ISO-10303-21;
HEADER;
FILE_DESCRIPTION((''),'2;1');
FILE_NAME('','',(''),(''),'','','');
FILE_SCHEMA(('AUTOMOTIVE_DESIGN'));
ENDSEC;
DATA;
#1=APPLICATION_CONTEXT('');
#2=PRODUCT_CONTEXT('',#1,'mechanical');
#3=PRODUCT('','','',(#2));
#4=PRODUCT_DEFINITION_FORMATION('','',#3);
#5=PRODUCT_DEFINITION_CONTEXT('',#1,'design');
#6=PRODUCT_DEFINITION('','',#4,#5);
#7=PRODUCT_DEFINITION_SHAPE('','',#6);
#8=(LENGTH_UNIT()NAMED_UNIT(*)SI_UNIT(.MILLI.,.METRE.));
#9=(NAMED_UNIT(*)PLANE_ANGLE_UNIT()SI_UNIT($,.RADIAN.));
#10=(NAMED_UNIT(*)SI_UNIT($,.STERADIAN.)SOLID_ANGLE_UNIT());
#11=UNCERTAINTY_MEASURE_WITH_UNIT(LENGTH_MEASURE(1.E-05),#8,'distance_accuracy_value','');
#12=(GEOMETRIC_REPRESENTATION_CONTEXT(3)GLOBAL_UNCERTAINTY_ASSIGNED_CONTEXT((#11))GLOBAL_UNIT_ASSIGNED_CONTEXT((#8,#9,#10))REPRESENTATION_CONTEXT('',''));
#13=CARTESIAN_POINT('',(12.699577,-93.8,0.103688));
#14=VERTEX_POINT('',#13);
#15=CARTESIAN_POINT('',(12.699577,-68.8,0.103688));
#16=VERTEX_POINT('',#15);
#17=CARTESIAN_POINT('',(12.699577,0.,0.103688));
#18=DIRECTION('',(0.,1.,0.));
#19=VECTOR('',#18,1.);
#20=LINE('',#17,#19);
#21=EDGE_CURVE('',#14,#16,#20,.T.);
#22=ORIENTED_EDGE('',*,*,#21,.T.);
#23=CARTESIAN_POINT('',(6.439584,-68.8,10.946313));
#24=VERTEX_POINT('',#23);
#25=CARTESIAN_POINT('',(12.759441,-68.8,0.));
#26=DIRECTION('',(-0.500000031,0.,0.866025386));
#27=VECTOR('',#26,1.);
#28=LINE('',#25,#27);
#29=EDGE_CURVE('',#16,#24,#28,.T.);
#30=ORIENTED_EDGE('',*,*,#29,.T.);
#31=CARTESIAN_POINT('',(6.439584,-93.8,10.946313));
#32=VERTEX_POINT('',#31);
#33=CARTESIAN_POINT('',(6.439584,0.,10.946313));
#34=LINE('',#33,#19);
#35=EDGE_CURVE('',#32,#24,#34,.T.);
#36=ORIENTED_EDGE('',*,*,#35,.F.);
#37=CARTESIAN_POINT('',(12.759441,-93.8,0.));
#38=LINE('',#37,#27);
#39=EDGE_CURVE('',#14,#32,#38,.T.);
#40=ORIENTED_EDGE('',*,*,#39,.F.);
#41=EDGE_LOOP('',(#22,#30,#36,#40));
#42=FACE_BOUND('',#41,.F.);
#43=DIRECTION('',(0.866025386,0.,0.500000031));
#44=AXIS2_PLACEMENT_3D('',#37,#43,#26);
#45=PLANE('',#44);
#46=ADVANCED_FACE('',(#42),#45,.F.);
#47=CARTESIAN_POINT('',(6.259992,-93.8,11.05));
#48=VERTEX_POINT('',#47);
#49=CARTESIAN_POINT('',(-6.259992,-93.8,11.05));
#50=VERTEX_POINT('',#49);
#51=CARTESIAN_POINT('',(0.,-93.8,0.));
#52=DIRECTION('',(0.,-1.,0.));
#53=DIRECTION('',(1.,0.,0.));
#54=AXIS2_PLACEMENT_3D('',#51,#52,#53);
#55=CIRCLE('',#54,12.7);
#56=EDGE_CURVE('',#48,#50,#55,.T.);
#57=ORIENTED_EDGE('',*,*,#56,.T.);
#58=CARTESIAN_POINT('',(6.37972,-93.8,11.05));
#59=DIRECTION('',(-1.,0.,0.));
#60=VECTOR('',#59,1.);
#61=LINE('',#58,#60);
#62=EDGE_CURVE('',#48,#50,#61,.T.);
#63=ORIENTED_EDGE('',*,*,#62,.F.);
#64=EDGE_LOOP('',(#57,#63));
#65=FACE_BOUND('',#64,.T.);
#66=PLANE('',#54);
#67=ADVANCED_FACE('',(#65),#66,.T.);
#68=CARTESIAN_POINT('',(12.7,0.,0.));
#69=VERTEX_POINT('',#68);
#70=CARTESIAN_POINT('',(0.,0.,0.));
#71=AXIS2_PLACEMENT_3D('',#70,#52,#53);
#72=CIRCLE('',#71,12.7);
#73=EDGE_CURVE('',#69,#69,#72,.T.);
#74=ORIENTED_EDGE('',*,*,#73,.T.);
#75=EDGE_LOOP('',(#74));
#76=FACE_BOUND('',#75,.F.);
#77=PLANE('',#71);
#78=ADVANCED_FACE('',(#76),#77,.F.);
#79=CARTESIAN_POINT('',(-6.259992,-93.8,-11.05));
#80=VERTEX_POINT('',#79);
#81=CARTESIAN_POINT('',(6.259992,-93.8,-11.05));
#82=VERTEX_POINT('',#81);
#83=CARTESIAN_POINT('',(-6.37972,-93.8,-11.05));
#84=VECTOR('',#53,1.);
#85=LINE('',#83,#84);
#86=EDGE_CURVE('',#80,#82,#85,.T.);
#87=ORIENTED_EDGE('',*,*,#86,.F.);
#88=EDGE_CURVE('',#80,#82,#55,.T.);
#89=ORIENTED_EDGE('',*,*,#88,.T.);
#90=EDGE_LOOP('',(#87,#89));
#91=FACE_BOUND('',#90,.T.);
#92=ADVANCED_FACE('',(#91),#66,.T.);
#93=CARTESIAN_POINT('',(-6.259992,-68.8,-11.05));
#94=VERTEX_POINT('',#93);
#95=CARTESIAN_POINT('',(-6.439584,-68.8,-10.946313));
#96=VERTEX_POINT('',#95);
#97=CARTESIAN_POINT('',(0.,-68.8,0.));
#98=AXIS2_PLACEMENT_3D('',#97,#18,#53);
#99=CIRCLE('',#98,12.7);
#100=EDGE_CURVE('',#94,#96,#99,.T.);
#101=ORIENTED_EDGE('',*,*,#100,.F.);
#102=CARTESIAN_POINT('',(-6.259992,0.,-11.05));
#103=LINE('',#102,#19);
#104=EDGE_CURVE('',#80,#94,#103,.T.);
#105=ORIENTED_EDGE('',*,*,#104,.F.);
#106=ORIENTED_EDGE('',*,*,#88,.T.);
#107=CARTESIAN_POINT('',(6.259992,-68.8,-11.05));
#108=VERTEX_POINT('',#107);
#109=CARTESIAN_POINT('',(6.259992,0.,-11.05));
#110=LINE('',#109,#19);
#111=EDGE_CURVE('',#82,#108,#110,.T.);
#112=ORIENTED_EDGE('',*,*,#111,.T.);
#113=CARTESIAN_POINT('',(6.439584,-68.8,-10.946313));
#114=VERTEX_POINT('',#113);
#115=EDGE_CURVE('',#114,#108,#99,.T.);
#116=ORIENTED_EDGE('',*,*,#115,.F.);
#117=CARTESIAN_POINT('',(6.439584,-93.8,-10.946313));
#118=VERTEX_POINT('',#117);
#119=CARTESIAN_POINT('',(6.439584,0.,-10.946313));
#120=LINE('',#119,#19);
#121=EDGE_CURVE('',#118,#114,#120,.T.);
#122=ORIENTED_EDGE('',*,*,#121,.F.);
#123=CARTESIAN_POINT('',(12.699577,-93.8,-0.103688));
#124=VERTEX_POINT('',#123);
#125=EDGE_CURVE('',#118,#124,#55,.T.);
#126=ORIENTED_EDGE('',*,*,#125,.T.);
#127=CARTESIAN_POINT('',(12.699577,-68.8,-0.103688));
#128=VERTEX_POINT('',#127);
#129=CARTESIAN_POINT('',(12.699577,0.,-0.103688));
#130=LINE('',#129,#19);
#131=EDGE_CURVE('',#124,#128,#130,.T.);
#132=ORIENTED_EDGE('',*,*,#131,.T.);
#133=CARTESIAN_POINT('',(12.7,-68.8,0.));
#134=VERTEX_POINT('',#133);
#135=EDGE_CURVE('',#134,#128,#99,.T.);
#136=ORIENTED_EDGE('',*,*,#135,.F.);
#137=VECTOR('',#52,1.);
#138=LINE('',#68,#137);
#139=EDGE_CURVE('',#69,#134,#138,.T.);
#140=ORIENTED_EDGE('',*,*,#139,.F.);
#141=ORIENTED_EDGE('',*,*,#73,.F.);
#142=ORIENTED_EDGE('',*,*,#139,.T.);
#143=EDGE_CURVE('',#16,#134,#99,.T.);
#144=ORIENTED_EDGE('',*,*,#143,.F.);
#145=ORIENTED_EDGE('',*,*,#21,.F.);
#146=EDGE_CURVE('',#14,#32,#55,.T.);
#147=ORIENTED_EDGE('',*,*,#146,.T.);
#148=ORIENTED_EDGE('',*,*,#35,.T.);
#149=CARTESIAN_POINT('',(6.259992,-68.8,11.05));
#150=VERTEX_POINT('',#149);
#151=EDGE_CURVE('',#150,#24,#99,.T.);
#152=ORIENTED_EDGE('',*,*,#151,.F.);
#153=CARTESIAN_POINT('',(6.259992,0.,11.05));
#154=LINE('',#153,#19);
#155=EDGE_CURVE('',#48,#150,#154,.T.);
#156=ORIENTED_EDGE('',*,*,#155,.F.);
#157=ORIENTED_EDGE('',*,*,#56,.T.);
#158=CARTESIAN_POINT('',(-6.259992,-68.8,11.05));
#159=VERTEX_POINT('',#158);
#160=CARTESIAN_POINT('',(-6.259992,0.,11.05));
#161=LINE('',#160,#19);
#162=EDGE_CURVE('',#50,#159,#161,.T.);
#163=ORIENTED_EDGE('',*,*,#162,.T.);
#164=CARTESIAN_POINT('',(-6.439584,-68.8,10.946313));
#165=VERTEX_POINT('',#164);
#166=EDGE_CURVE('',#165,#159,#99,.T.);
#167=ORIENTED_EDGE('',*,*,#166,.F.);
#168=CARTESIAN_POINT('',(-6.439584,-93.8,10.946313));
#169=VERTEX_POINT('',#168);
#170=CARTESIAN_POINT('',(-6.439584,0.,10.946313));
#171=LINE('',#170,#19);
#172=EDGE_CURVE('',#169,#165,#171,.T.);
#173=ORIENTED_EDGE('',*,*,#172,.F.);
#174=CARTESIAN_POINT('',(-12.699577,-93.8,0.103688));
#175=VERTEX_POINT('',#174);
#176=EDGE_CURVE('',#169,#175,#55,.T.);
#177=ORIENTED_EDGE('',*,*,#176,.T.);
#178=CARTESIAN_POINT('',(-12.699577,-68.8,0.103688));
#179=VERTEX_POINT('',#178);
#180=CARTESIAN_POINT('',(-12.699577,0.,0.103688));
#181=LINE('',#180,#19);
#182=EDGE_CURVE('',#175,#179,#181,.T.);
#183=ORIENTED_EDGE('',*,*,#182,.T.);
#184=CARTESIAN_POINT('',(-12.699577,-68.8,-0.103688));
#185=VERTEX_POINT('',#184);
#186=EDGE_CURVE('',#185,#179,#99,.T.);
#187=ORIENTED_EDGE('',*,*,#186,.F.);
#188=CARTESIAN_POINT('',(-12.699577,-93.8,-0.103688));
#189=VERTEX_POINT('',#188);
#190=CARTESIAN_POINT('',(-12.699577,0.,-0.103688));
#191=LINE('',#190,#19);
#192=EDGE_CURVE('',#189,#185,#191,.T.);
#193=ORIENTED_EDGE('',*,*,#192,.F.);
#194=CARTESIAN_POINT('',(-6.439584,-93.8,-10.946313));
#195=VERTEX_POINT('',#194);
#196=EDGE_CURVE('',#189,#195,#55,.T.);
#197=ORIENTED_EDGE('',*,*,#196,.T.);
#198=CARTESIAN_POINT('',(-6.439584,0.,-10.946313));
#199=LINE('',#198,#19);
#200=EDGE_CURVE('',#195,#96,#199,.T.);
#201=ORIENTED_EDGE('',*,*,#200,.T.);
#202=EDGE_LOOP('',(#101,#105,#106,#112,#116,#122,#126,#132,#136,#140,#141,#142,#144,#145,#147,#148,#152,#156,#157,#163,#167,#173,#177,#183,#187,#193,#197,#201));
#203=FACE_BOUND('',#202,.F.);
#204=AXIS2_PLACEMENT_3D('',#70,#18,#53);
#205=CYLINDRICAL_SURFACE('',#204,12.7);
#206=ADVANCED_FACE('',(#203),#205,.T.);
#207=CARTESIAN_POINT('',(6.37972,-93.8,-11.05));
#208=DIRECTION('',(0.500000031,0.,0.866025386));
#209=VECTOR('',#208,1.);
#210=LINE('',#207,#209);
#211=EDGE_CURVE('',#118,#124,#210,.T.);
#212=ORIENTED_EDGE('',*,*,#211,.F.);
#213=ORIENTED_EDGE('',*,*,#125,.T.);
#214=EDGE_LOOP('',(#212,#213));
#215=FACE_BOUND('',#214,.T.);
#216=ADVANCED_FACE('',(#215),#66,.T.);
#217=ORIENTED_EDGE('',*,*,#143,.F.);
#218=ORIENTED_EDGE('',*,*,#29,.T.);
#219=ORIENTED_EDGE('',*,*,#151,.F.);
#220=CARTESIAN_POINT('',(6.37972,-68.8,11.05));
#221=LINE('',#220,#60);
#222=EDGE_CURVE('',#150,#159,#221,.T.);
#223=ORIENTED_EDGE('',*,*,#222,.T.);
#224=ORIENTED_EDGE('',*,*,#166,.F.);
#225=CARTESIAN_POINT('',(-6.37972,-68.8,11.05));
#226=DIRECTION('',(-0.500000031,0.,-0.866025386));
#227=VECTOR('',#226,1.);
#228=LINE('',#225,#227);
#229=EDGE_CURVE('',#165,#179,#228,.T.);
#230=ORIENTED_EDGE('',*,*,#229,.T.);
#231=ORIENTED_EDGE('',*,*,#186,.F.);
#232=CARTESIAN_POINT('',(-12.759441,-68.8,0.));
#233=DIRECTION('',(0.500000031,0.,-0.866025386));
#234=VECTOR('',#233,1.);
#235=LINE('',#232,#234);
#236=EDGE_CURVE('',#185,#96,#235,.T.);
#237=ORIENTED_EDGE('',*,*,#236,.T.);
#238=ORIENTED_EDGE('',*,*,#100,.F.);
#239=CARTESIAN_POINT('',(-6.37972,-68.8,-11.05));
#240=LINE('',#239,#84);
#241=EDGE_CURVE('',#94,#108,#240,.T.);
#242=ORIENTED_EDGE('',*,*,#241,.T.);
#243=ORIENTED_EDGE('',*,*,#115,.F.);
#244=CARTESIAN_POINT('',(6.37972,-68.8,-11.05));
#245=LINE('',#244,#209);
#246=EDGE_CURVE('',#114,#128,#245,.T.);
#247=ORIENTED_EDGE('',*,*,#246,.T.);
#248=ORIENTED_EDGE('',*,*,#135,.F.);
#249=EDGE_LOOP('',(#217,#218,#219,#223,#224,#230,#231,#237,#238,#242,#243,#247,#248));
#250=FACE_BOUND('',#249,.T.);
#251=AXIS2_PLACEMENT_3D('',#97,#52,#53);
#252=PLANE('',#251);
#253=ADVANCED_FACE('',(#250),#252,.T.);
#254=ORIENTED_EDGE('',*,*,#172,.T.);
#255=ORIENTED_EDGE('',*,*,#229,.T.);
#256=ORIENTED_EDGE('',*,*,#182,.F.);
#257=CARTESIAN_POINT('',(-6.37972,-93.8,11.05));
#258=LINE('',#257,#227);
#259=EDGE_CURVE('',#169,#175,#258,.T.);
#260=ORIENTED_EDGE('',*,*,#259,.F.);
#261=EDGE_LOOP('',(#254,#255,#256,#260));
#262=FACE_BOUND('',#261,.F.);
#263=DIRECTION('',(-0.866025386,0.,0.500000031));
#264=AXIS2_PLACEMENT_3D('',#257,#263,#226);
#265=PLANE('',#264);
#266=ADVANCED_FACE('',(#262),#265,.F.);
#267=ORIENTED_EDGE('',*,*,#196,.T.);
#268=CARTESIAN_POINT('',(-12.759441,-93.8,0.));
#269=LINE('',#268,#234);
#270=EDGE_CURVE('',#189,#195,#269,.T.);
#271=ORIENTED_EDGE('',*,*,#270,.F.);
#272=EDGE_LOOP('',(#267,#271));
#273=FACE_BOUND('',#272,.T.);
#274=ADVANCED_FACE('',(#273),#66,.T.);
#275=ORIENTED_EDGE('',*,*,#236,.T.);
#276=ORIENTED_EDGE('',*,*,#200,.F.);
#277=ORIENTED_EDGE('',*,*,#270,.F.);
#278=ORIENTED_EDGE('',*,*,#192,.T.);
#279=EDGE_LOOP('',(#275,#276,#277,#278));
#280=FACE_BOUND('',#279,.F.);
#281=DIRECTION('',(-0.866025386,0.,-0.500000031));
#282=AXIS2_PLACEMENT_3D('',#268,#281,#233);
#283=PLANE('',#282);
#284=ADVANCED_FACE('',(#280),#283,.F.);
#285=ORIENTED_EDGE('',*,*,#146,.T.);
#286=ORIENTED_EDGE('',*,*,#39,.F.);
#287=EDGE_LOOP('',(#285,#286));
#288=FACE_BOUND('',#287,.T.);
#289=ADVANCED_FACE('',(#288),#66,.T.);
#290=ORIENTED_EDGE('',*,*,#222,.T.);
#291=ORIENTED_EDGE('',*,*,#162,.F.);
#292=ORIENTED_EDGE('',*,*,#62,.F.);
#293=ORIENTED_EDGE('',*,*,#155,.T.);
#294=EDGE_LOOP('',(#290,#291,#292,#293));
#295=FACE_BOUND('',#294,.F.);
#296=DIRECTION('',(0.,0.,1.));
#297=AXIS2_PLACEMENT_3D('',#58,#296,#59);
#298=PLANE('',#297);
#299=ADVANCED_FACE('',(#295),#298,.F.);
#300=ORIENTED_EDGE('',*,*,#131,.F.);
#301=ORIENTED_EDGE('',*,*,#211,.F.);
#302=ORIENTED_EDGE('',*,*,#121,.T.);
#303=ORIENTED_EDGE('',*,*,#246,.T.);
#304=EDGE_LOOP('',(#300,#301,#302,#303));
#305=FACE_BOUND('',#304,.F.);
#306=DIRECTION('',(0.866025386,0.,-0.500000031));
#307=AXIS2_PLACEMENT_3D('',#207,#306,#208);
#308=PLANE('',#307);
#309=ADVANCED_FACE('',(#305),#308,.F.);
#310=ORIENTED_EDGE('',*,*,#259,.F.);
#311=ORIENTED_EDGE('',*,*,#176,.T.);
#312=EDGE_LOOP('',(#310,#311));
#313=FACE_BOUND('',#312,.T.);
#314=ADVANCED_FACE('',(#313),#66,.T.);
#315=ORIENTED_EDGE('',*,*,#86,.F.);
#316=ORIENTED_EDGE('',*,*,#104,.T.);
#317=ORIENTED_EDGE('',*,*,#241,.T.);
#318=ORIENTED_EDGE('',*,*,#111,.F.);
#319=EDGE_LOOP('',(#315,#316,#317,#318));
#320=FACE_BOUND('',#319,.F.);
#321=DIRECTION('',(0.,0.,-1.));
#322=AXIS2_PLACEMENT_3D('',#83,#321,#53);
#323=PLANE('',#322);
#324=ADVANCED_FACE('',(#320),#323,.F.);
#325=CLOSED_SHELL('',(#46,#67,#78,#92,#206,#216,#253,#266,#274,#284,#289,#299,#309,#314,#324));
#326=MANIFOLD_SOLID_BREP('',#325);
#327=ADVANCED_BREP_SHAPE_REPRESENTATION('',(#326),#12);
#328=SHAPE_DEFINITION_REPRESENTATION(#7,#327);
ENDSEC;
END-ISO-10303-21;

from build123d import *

# Parameters (mm, degrees)
F0_R     = 12.7
F1_DEPTH = 93.8
F3_DEPTH = 25


with BuildPart() as f1:
    # F0 (on Front) → F1 (new body)
    with BuildSketch(Plane.XZ):
        Circle(F0_R)
    extrude(amount=F1_DEPTH)

    # F2 (on face) → F3 (cut)
    with BuildSketch(Plane.XZ.offset(93.8)):
        Polygon((6.37972, -11.05), (12.759441, 0), (6.37972, 11.05), (-6.37972, 11.05), (-12.759441, 0), (-6.37972, -11.05), align=None)
    extrude(amount=-F3_DEPTH, mode=Mode.SUBTRACT)


solid = f1.part
